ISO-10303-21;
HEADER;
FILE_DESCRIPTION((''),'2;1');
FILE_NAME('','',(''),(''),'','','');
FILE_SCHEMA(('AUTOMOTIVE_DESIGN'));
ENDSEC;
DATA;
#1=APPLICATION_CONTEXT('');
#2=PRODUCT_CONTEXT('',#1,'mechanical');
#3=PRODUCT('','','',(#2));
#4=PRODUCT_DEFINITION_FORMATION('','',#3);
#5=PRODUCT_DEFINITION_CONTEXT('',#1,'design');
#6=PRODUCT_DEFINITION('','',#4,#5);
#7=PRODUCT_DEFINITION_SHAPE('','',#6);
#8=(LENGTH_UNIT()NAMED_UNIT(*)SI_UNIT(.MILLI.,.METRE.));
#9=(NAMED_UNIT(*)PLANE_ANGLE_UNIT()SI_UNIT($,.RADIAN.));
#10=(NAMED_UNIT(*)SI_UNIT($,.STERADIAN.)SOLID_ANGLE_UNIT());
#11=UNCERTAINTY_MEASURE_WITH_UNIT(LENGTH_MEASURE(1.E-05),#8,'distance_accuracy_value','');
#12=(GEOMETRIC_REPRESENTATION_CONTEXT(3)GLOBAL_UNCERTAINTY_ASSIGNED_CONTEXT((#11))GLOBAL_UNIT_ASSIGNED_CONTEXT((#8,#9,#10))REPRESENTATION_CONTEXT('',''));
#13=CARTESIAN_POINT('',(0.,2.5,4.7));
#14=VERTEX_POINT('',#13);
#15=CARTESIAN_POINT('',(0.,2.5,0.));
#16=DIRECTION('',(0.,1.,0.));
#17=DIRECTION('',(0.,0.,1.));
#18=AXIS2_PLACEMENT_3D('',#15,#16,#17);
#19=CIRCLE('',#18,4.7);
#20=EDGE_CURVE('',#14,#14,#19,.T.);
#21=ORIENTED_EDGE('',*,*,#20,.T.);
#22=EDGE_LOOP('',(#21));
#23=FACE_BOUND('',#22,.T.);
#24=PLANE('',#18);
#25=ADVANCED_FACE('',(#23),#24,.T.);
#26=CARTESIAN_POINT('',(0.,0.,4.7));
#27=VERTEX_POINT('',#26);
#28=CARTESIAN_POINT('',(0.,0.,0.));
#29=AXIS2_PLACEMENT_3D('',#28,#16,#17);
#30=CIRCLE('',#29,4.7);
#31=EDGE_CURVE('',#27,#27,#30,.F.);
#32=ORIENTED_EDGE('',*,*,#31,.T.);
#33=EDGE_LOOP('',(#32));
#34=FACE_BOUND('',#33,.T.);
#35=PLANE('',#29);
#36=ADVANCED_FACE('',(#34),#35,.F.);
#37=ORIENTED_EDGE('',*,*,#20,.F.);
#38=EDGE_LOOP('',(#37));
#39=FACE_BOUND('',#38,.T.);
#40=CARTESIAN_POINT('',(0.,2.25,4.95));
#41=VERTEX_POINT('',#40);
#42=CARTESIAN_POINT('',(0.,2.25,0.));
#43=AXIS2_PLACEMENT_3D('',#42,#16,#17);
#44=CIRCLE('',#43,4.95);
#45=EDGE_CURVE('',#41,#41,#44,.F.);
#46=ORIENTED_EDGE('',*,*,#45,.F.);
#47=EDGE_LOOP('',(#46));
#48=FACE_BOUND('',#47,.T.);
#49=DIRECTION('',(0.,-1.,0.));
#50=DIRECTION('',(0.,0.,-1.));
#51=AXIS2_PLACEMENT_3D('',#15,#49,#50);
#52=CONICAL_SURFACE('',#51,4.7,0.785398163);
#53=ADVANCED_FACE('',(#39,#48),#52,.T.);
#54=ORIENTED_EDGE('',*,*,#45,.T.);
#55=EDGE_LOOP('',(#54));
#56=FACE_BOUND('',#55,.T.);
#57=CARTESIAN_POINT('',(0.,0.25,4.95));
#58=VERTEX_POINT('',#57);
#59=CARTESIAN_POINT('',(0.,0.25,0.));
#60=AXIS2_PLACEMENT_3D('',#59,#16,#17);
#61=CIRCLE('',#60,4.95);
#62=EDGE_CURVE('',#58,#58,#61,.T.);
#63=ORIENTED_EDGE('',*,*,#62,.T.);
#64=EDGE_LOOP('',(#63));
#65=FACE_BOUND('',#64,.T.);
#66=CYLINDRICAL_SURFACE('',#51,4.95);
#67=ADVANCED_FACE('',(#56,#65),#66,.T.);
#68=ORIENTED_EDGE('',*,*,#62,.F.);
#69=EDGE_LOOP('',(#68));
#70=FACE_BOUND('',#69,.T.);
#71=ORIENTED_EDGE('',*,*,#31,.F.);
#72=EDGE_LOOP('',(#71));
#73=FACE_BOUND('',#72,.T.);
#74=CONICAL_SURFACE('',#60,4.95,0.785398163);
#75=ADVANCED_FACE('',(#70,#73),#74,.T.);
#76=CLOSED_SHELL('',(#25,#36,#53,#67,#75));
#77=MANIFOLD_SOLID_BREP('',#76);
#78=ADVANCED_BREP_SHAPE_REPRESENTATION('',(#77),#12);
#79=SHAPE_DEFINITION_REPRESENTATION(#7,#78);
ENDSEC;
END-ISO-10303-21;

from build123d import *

# Parameters (mm, degrees)
SKETCH1_R           = 4.95
BOSS_EXTRUDE1_DEPTH = 2.5
CHAMFER1_SIZE       = 0.25


with BuildPart() as part:
    # Sketch1 → Boss-Extrude1 (new body)
    with BuildSketch(Plane(origin=(0, 0, 0), x_dir=(1, 0, 0), z_dir=(0, 1, 0))):
        Circle(SKETCH1_R)
    extrude(amount=BOSS_EXTRUDE1_DEPTH)

    # Chamfer1
    chamfer1_edges = [part.edges().sort_by_distance(p)[0] for p in [
        (-4.95, 0, 0),
        (-4.95, 2.5, 0),
    ]]
    chamfer(chamfer1_edges, length=CHAMFER1_SIZE)


solid = part.part
